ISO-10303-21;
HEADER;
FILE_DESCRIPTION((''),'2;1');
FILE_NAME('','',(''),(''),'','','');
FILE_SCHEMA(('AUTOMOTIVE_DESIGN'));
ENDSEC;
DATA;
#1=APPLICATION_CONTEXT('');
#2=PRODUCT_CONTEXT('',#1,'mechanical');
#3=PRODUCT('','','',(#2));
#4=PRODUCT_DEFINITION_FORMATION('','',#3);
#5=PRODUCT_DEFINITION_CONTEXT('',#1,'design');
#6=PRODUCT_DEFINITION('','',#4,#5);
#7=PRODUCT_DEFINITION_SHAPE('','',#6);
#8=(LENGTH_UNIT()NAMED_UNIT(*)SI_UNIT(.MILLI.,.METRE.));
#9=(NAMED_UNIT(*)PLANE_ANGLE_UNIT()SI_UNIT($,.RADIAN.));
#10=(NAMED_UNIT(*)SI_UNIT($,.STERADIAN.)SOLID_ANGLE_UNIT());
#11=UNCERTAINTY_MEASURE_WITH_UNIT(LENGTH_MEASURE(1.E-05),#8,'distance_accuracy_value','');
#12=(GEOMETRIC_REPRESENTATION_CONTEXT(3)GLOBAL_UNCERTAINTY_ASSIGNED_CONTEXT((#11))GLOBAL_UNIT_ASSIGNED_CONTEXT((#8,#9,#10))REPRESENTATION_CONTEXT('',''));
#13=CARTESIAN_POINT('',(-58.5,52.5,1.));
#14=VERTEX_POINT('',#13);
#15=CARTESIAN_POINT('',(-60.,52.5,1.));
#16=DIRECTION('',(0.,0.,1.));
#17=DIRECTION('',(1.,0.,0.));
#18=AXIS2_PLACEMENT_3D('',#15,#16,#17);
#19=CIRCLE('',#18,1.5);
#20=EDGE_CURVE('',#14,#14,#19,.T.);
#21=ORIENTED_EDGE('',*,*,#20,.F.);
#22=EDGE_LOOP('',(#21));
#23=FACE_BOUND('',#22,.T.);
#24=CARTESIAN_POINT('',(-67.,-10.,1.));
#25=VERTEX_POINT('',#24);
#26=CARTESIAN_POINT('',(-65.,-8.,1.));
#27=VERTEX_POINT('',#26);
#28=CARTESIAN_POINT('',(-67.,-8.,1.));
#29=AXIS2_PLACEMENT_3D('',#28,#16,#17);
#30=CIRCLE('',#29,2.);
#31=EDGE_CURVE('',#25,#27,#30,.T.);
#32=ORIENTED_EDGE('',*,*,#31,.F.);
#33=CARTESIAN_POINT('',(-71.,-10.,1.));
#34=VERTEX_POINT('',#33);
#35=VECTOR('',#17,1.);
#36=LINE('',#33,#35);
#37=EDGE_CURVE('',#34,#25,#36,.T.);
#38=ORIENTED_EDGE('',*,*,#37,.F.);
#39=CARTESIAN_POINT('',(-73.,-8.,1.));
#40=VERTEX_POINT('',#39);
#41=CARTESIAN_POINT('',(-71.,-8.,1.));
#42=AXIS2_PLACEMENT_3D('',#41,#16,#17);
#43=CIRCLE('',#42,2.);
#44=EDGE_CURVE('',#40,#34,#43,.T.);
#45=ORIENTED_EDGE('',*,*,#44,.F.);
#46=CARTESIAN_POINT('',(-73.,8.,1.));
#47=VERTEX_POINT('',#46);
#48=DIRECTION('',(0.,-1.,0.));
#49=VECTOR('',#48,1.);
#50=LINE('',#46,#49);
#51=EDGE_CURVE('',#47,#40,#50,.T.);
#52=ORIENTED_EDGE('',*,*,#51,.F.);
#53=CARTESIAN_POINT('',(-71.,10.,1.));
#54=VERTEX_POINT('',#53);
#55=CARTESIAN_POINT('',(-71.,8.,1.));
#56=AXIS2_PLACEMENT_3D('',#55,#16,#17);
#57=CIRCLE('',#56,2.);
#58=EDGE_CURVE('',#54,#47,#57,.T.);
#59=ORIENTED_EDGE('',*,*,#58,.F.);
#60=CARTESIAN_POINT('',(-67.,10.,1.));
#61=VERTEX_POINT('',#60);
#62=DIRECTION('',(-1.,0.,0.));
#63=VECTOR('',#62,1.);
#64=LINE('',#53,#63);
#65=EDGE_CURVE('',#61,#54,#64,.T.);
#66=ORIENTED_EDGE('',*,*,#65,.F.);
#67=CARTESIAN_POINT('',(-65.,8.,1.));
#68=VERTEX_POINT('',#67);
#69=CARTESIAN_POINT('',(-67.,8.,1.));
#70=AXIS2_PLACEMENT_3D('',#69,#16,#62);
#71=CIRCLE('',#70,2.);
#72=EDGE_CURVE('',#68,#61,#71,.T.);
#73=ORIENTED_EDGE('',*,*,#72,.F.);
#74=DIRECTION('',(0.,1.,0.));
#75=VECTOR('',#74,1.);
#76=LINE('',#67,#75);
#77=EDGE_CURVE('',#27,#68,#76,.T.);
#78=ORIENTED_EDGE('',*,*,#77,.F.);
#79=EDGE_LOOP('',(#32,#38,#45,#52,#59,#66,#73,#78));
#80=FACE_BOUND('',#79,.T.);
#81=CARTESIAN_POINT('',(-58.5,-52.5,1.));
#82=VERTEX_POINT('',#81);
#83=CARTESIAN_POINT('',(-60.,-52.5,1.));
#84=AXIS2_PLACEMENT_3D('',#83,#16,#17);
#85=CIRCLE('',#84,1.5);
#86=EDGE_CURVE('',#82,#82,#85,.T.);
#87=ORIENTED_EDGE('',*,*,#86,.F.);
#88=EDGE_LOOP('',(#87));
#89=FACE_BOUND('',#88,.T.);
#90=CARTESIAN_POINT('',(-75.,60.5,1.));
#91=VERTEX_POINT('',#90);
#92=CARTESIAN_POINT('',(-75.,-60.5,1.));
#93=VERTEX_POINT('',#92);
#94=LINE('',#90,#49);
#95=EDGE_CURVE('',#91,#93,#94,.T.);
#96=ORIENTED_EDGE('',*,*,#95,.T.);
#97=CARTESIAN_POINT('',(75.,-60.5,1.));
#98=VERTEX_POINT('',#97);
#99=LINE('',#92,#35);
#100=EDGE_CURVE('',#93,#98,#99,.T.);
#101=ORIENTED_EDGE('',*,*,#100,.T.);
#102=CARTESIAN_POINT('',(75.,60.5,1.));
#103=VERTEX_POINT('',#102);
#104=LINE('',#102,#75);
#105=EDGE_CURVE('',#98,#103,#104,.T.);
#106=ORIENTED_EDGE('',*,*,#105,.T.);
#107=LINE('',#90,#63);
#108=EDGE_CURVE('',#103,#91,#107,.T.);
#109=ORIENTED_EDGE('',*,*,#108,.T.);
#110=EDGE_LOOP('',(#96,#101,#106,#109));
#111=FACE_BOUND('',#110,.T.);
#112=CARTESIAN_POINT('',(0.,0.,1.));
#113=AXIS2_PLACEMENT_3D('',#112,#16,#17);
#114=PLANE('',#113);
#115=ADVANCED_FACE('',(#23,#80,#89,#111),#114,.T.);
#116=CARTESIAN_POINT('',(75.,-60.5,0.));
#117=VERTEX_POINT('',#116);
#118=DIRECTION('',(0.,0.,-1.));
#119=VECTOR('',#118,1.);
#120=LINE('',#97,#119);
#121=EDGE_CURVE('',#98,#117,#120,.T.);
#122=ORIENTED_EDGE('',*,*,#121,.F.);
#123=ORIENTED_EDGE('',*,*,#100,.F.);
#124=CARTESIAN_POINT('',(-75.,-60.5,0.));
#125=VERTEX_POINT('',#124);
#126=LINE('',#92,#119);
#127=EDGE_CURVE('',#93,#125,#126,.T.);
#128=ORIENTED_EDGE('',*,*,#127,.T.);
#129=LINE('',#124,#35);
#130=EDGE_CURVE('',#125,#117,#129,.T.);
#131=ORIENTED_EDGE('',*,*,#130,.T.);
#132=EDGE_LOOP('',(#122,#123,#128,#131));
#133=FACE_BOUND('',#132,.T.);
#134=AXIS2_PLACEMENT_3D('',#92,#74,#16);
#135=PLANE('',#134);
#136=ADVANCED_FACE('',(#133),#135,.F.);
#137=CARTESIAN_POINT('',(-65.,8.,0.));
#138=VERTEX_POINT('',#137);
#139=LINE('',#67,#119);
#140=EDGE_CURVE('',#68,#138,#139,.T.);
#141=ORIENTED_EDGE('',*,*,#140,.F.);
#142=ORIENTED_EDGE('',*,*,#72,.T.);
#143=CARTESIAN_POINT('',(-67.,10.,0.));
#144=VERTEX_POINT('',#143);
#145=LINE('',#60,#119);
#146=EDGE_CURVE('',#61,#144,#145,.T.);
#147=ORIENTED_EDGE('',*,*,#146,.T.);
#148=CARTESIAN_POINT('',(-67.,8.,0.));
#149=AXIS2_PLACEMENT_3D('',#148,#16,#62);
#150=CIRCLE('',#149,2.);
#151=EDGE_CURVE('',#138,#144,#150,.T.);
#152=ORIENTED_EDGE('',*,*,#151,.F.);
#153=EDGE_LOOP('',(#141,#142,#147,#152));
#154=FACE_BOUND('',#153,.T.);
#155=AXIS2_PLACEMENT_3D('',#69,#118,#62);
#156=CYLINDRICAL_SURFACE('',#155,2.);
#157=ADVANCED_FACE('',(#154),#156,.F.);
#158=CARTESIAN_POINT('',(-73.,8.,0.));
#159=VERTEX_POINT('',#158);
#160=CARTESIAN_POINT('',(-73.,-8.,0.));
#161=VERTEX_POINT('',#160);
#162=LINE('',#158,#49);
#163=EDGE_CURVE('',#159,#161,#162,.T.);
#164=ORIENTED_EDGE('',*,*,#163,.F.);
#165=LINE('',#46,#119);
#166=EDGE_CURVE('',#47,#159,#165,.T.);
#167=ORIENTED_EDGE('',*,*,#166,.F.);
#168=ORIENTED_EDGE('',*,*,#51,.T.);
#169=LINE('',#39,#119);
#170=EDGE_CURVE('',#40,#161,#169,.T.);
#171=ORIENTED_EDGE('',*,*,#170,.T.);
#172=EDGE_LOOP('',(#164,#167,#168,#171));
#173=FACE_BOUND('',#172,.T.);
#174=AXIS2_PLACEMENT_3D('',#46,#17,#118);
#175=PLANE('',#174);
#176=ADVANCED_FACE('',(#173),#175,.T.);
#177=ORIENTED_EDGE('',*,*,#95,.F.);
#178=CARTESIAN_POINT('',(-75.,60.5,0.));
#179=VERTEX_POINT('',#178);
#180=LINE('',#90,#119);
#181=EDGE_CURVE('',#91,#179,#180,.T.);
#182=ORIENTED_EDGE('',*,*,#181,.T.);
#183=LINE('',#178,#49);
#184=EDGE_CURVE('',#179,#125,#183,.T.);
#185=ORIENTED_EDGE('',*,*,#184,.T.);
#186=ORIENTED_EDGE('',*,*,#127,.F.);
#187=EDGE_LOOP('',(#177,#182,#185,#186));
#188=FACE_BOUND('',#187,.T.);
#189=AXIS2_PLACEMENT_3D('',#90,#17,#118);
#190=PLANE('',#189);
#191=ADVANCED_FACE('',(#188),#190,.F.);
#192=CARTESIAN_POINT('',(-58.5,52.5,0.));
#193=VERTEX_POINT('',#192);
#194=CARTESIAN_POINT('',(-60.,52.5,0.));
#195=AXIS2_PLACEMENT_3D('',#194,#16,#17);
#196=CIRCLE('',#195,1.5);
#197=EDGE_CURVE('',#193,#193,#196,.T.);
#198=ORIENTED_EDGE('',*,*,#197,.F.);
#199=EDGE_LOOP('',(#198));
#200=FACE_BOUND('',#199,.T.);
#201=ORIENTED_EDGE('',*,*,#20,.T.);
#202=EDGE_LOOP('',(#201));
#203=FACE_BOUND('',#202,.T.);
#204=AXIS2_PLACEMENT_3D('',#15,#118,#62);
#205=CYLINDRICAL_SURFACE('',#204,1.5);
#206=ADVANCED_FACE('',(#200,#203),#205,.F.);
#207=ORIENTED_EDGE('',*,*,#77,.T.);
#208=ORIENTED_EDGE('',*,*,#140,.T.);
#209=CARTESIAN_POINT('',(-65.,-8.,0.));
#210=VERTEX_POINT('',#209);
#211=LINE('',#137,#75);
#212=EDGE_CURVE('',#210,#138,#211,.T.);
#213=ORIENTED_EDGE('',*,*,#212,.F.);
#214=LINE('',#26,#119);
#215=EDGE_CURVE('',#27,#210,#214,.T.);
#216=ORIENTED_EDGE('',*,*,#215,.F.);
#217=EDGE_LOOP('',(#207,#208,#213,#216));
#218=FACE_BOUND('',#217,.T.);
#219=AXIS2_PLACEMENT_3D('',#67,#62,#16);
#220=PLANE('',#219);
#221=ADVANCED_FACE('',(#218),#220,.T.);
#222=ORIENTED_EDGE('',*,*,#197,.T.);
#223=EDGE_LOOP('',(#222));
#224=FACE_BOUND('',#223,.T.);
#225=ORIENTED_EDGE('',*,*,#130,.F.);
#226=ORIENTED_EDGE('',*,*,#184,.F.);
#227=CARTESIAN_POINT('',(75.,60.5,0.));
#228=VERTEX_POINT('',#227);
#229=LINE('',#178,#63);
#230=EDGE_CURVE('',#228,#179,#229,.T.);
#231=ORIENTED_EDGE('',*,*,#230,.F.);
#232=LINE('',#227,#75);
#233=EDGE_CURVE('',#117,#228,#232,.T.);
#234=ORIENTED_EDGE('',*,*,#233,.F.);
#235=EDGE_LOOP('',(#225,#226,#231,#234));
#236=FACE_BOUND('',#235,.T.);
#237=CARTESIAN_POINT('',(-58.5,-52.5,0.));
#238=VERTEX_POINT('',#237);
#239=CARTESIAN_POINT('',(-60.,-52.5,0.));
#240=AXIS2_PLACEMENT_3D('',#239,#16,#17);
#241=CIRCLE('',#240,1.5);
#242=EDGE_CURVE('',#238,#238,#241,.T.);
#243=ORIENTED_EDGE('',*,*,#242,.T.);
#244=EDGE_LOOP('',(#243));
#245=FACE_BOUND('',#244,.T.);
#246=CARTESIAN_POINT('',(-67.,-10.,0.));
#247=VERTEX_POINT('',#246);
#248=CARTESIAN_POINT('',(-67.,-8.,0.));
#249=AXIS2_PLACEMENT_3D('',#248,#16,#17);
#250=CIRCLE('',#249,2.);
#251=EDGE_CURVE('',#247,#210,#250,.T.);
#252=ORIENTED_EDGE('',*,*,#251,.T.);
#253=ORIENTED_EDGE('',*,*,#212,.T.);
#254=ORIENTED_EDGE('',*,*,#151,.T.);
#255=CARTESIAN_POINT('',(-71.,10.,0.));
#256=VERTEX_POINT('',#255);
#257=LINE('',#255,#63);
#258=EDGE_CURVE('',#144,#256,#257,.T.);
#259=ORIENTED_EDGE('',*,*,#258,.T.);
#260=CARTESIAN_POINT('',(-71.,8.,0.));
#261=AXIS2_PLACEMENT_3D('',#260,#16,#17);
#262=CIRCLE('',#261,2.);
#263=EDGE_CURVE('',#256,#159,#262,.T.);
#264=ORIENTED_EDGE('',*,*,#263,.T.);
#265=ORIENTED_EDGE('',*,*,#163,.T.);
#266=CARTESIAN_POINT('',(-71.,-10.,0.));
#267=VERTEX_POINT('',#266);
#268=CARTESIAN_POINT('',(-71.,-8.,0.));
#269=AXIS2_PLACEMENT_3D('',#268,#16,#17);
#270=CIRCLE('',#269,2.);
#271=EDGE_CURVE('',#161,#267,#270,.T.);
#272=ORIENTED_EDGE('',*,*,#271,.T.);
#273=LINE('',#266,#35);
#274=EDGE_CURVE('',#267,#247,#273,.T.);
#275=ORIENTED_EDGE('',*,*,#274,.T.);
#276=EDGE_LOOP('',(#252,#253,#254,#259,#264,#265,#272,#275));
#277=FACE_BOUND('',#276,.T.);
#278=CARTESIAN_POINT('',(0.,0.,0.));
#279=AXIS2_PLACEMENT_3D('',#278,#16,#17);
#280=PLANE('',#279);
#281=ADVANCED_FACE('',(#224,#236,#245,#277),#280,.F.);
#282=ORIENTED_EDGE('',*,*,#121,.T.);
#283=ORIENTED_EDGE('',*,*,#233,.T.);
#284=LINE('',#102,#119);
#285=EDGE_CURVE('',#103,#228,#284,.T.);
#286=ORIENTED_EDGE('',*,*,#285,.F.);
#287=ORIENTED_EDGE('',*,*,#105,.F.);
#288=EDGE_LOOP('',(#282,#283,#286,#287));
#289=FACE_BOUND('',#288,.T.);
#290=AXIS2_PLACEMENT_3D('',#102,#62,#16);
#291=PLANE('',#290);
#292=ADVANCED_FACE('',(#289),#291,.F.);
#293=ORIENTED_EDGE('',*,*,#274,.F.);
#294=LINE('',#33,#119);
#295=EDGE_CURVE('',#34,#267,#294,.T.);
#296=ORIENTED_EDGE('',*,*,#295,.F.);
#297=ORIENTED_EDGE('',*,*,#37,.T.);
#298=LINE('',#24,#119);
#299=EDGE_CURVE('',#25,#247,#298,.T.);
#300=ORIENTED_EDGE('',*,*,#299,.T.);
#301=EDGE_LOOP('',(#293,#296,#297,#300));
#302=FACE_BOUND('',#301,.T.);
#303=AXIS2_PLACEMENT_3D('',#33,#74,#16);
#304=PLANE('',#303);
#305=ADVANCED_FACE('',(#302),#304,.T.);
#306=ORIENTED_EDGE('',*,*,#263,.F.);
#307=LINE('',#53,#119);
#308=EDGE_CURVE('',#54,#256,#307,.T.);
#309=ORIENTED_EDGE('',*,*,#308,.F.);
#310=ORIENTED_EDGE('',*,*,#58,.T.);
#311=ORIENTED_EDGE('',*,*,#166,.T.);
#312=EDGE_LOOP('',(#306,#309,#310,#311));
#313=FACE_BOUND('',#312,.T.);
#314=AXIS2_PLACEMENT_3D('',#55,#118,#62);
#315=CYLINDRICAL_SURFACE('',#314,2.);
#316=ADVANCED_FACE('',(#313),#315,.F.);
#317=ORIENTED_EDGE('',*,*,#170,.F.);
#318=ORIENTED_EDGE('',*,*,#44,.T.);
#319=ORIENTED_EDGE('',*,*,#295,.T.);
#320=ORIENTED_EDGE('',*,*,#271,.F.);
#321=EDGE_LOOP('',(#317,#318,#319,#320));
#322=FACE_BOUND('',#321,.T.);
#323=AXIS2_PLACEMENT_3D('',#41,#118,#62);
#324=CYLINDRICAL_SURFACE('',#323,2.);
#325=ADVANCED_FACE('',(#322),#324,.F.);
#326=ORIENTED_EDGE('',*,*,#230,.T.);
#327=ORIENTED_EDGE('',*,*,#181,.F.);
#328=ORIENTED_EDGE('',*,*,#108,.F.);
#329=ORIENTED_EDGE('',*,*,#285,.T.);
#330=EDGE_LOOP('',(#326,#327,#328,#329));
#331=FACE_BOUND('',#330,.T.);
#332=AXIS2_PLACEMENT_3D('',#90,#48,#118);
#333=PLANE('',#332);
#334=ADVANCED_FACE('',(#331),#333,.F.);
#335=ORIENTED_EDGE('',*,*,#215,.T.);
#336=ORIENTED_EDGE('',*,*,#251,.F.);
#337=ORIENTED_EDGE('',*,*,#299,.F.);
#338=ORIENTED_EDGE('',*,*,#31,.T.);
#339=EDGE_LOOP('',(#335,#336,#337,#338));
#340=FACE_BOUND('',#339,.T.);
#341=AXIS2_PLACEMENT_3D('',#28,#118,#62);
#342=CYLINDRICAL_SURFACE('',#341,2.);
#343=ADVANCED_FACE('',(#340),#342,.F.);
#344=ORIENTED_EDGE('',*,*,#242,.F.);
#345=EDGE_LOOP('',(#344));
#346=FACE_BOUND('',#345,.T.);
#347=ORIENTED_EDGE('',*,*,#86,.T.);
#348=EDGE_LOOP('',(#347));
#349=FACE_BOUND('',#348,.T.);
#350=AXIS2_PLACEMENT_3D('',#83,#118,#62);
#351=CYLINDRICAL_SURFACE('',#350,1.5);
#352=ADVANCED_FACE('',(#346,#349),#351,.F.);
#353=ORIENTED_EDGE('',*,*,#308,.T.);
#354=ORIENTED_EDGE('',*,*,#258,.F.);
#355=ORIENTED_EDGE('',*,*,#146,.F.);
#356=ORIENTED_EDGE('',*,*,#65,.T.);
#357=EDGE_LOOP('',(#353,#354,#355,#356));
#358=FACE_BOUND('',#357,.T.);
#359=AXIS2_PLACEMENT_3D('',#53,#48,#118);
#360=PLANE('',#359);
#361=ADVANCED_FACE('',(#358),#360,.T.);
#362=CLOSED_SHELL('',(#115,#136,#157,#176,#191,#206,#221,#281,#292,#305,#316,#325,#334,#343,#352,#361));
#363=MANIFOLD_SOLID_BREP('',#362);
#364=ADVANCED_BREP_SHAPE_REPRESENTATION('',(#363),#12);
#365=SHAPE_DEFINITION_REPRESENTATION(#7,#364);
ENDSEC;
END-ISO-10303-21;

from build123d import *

# Parameters (mm, degrees)
SKETCH_1_W      = 150
SKETCH_1_H      = 121
SKETCH_1_R      = 1.5
EXTRUDE_2_DEPTH = 1


with BuildPart() as part:
    # 草图1 → 凸台-拉伸2 (new body)
    with BuildSketch(Plane.XY):
        Rectangle(SKETCH_1_W, SKETCH_1_H)
        with Locations((-60, 52.5)):
            Circle(SKETCH_1_R, mode=Mode.SUBTRACT)
        with Locations((-60, -52.5)):
            Circle(SKETCH_1_R, mode=Mode.SUBTRACT)
        with BuildLine():
            Line((-71, 10), (-67, 10))
            ThreePointArc((-67, 10), (-65.585786438, 9.414213562), (-65, 8))
            Line((-65, 8), (-65, -8))
            ThreePointArc((-65, -8), (-65.585786438, -9.414213562), (-67, -10))
            Line((-67, -10), (-71, -10))
            ThreePointArc((-71, -10), (-72.414213562, -9.414213562), (-73, -8))
            Line((-73, -8), (-73, 8))
            ThreePointArc((-73, 8), (-72.414213562, 9.414213562), (-71, 10))
        make_face(mode=Mode.SUBTRACT)
    extrude(amount=EXTRUDE_2_DEPTH)


solid = part.part
